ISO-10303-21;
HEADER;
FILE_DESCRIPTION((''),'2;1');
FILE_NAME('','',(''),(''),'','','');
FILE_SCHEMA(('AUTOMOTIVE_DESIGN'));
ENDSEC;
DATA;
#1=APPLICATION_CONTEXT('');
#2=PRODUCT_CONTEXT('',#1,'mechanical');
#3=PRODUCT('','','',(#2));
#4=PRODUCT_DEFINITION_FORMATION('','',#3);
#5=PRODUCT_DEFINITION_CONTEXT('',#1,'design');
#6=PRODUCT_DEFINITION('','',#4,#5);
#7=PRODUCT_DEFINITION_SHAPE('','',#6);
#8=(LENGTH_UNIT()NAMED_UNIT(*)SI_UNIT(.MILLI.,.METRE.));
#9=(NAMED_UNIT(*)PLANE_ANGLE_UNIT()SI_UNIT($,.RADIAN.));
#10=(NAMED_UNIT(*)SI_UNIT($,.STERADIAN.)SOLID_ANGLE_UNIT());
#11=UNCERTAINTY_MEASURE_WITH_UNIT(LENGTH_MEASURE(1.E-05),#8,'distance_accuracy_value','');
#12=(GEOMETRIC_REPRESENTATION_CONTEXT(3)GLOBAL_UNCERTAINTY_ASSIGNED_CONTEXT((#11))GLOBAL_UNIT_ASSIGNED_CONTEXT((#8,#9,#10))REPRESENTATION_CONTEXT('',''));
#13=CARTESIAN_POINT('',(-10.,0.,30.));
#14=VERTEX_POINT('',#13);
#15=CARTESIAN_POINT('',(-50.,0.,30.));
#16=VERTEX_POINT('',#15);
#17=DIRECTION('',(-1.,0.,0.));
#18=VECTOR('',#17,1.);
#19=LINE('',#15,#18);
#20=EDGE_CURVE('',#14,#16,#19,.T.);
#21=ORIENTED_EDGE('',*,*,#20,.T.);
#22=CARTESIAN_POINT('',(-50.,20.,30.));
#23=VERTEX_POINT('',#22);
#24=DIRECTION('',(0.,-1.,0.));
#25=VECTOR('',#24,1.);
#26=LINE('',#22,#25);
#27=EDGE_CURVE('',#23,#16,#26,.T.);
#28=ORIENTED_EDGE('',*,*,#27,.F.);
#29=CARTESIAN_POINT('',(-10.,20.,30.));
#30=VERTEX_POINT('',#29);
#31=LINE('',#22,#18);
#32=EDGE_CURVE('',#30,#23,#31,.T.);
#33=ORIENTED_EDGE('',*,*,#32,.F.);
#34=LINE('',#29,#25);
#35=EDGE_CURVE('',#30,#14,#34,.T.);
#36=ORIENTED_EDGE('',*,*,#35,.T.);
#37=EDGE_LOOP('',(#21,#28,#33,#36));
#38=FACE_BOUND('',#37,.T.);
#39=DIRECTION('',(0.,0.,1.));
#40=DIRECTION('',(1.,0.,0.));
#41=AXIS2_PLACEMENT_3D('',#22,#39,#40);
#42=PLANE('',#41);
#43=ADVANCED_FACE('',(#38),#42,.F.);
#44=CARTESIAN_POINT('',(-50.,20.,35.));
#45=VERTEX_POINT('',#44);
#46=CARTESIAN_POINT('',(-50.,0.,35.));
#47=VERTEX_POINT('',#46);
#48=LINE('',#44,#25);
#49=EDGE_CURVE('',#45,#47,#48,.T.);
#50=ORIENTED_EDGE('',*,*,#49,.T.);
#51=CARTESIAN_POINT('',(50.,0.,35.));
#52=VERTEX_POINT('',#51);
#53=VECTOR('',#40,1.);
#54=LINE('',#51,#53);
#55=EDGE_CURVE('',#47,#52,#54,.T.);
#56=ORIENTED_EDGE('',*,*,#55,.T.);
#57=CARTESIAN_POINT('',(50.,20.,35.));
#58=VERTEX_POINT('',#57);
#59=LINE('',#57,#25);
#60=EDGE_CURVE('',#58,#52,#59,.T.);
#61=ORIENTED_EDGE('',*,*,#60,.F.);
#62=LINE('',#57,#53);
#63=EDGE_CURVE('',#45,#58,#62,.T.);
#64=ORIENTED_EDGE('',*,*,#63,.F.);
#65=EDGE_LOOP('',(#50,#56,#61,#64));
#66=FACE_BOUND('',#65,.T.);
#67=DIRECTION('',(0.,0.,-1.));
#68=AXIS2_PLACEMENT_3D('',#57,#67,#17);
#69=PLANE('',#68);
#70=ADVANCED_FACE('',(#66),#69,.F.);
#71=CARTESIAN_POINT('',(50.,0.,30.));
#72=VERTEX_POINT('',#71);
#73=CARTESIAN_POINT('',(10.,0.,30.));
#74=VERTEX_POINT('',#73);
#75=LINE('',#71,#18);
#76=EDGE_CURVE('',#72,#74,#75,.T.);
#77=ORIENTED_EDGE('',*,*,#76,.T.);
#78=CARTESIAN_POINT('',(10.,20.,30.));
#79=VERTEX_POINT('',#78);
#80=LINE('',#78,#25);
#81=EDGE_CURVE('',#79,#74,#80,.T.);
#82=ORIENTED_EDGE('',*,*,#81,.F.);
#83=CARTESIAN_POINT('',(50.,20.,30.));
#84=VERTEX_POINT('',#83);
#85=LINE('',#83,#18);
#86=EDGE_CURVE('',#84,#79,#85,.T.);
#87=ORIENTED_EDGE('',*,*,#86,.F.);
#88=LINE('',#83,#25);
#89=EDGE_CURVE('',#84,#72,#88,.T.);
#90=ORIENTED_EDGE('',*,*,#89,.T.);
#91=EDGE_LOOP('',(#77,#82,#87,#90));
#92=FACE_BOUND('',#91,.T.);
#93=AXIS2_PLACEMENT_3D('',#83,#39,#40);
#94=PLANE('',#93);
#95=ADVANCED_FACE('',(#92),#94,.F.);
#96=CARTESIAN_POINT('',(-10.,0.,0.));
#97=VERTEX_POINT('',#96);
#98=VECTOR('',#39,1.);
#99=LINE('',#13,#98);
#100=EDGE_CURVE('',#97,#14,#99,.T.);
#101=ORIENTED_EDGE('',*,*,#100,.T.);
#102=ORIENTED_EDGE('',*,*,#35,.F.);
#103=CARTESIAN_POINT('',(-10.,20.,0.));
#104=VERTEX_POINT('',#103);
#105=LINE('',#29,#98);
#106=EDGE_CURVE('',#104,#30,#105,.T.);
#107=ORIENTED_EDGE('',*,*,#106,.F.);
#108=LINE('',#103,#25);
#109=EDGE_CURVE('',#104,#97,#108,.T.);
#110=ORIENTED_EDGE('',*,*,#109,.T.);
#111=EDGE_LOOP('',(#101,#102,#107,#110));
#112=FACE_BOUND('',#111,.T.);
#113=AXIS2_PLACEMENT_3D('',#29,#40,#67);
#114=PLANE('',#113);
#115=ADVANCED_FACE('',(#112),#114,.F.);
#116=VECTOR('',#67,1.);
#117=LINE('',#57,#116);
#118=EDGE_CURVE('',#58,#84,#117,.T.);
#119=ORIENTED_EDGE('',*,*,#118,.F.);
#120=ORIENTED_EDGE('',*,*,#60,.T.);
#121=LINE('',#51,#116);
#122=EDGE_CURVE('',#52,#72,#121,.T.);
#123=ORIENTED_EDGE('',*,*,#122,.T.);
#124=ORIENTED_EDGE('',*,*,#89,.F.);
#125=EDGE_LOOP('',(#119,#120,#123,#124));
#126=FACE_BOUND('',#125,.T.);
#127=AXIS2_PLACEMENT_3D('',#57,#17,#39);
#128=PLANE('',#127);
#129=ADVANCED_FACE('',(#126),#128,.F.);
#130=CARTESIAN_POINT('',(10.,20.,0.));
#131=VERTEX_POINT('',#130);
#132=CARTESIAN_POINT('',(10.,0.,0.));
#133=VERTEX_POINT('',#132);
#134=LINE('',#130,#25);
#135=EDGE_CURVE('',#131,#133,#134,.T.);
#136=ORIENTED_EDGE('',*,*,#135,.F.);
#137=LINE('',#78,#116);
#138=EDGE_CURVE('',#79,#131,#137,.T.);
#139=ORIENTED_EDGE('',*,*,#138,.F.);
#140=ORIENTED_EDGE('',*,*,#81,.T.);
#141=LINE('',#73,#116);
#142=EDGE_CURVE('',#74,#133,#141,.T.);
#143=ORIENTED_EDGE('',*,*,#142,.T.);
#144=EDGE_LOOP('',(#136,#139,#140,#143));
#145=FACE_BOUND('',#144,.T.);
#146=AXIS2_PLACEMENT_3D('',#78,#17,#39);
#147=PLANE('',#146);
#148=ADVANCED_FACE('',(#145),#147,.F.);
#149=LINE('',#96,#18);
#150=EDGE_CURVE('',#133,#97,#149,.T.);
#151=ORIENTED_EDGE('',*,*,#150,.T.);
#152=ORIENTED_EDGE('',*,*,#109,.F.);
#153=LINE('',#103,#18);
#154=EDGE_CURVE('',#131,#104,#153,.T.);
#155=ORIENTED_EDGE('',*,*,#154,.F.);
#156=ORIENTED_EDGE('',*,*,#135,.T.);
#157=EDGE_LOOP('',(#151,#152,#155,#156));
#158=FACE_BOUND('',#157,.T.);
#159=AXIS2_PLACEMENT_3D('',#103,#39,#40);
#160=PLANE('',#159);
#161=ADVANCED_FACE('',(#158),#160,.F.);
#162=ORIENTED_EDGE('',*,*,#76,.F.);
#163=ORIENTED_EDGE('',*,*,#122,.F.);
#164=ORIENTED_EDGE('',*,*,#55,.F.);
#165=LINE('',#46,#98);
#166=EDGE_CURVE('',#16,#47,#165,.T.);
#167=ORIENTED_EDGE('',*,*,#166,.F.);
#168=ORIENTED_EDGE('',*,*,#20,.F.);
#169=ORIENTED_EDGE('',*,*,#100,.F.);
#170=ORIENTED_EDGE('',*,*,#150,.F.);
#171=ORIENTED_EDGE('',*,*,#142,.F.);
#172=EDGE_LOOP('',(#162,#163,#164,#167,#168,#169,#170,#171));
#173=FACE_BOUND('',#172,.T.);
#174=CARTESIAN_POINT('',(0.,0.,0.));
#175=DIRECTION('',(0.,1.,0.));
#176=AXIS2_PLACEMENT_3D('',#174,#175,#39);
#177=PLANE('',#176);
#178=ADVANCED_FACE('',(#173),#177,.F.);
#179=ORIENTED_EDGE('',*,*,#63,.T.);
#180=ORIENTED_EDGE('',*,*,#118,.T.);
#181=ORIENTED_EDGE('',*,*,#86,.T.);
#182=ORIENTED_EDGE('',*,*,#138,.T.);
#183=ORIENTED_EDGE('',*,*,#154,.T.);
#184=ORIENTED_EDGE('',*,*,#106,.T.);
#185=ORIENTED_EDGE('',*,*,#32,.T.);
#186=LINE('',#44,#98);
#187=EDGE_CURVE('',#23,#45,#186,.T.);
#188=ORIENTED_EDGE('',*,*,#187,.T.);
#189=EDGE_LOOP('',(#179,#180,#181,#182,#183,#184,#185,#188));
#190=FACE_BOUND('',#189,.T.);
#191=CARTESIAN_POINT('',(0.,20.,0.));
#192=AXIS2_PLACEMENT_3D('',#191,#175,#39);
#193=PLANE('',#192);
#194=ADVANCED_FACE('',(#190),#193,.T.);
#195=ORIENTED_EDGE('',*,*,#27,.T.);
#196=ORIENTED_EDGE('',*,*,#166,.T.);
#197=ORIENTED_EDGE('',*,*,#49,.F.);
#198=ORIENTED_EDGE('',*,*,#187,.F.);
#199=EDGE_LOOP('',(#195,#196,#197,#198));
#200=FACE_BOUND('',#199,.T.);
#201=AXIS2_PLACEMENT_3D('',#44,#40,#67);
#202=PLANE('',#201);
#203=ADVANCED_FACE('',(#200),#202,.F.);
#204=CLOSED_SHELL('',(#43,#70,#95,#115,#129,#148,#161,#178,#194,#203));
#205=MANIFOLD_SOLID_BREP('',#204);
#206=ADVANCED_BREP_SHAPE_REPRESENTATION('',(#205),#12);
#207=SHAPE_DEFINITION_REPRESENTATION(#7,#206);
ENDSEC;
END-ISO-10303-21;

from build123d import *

# Parameters (mm, degrees)
BOSS_EXTRUDE1_DEPTH = 20


with BuildPart() as part:
    # Sketch2 → Boss-Extrude1 (new body)
    with BuildSketch(Plane(origin=(0, 0, 0), x_dir=(1, 0, 0), z_dir=(0, 1, 0))):
        Polygon((50, -35), (-50, -35), (-50, -30), (-10, -30), (-10, 0), (10, 0), (10, -30), (50, -30), align=None)
    extrude(amount=BOSS_EXTRUDE1_DEPTH)


solid = part.part
